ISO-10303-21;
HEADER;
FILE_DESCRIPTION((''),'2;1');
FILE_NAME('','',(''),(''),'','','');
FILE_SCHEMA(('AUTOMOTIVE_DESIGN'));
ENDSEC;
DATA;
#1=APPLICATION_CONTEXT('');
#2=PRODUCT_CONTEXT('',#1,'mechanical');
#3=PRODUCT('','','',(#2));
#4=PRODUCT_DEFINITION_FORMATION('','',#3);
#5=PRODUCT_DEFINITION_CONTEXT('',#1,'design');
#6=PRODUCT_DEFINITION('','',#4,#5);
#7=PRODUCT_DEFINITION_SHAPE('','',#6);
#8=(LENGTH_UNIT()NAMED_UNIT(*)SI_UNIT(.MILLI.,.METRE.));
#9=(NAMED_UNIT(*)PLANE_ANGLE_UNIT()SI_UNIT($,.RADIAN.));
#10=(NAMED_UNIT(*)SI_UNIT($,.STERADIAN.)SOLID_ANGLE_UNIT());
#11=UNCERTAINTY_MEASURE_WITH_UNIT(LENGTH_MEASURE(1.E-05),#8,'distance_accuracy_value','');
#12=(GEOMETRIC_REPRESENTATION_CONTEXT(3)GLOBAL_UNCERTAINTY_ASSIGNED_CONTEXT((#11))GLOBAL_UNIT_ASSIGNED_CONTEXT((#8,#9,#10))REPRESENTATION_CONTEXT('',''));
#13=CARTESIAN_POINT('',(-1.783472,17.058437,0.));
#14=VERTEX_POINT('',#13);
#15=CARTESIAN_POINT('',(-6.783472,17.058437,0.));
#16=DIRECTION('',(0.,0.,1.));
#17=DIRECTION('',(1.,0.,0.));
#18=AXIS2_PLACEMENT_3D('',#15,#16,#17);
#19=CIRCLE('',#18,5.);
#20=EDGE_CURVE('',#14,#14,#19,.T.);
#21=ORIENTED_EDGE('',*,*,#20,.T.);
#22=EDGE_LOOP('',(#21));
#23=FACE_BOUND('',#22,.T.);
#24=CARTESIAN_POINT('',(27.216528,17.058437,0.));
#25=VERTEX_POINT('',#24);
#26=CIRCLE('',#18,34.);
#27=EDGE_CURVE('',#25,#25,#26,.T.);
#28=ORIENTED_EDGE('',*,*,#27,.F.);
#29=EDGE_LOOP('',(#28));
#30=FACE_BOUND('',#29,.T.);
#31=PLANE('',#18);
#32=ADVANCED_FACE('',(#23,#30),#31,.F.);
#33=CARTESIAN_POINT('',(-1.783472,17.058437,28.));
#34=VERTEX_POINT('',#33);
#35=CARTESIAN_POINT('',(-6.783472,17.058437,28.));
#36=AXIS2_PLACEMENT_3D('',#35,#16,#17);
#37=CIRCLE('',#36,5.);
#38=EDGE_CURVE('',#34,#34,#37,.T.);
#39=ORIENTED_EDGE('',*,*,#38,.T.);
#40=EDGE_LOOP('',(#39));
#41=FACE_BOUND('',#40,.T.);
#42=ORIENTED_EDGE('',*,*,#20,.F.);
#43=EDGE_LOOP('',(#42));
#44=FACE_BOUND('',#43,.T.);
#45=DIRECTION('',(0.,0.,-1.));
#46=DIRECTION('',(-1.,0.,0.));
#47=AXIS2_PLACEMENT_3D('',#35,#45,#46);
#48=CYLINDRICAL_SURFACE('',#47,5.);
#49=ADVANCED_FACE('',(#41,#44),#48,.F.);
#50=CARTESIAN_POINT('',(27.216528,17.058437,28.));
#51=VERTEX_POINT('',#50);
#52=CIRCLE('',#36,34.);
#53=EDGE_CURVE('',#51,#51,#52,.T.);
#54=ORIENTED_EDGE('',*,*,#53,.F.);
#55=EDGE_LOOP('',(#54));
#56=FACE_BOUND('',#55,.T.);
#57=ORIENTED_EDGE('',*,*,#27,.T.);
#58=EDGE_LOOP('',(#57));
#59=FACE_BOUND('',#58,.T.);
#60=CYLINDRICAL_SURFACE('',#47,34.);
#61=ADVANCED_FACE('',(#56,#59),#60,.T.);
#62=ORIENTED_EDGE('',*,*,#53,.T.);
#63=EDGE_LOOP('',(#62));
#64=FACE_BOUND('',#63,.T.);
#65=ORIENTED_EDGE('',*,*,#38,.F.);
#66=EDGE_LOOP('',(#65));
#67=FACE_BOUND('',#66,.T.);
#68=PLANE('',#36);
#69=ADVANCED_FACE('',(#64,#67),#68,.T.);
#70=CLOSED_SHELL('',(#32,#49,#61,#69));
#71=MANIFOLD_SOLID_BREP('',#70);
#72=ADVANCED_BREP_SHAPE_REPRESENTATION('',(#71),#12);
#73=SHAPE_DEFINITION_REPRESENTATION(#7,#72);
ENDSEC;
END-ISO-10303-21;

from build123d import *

# Parameters (mm, degrees)
SKETCH_1_R      = 34
SKETCH_1_R_2    = 5
EXTRUDE_1_DEPTH = 28


with BuildPart() as part:
    # 草图1 → 凸台-拉伸1 (new body)
    with BuildSketch(Plane.XY):
        with Locations((-6.783472218, 17.05843749)):
            Circle(SKETCH_1_R)
        with Locations((-6.783472218, 17.05843749)):
            Circle(SKETCH_1_R_2, mode=Mode.SUBTRACT)
    extrude(amount=EXTRUDE_1_DEPTH)


solid = part.part
